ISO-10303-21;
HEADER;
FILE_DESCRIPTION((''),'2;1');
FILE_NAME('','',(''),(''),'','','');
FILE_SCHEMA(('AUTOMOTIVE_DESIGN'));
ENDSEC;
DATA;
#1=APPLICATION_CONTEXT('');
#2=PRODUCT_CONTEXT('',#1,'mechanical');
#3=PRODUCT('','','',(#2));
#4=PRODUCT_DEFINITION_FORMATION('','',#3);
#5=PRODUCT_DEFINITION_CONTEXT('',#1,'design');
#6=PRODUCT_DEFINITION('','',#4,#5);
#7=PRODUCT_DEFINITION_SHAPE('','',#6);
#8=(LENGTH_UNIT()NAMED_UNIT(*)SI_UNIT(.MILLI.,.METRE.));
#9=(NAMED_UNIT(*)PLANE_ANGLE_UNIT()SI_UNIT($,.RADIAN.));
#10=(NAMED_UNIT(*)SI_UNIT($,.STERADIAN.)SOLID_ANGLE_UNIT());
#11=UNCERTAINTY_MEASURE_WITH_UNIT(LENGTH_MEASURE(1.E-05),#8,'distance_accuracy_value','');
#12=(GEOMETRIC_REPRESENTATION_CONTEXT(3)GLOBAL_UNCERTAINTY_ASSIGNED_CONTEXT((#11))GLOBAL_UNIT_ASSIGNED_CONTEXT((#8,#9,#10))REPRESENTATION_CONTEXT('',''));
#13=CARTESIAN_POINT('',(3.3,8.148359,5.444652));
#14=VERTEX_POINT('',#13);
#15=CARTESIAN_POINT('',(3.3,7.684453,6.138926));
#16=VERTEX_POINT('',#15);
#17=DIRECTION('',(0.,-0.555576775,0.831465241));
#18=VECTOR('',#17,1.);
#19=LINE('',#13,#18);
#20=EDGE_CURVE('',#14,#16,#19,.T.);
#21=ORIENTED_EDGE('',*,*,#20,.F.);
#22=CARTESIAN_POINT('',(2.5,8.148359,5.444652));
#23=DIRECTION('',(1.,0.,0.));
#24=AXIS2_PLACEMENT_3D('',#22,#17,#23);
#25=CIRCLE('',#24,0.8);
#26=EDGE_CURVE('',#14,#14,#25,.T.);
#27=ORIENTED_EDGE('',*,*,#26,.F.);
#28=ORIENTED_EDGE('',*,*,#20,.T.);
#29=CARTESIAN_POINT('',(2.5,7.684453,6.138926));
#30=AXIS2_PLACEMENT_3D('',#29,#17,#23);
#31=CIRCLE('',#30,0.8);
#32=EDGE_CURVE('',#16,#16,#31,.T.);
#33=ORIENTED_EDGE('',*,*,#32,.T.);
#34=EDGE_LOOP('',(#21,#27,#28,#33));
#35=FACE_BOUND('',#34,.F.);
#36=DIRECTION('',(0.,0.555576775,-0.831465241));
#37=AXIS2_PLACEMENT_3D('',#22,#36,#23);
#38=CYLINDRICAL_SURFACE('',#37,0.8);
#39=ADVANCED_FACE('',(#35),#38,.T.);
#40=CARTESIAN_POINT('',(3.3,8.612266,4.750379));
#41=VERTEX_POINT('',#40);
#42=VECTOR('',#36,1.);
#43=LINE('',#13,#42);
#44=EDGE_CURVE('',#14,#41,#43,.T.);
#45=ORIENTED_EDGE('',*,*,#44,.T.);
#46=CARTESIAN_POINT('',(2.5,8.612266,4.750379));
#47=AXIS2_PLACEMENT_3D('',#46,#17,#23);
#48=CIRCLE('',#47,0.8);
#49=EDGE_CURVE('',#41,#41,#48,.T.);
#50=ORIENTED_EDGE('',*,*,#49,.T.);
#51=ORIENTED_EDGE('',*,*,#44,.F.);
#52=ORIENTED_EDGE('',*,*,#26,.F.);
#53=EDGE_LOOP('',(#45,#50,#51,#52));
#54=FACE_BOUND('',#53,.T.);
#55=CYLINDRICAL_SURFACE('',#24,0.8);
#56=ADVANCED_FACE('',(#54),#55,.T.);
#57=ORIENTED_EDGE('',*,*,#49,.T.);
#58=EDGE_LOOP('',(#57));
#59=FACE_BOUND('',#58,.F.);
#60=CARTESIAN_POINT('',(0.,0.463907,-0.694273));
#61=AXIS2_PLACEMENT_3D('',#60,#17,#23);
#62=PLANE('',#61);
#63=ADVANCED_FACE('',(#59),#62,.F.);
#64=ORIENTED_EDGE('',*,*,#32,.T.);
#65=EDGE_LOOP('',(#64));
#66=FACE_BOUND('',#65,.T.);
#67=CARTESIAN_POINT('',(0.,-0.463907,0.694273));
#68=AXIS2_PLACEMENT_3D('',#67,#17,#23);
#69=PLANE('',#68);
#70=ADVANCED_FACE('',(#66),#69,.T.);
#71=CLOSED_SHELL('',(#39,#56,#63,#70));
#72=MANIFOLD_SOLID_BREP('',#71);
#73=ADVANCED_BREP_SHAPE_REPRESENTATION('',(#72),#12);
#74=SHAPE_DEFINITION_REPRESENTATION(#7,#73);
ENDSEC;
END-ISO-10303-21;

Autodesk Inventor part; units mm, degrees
ref_plane "YZ Plane" through (0, 0, 0) normal (1, 0, 0) x (0, 1, 0)
ref_plane "XZ Plane" through (0, 0, 0) normal (0, 1, 0) x (-1, 0, 0)
ref_plane "XY Plane" through (0, 0, 0) normal (0, 0, 1) x (1, 0, 0)
sketch "Sketch_1" plane through (0, 0, 0) normal (0, -0.5556, 0.8315) x (1, 0, 0)
  circle A0 centre (2.5, 9.8) radius 0.8
  dimension "d0" = 1.67
extrude "Extrusion1" add sketch "Sketch_1" along normal mid plane 1.67
properties part number "CRBT155A_PART6"
